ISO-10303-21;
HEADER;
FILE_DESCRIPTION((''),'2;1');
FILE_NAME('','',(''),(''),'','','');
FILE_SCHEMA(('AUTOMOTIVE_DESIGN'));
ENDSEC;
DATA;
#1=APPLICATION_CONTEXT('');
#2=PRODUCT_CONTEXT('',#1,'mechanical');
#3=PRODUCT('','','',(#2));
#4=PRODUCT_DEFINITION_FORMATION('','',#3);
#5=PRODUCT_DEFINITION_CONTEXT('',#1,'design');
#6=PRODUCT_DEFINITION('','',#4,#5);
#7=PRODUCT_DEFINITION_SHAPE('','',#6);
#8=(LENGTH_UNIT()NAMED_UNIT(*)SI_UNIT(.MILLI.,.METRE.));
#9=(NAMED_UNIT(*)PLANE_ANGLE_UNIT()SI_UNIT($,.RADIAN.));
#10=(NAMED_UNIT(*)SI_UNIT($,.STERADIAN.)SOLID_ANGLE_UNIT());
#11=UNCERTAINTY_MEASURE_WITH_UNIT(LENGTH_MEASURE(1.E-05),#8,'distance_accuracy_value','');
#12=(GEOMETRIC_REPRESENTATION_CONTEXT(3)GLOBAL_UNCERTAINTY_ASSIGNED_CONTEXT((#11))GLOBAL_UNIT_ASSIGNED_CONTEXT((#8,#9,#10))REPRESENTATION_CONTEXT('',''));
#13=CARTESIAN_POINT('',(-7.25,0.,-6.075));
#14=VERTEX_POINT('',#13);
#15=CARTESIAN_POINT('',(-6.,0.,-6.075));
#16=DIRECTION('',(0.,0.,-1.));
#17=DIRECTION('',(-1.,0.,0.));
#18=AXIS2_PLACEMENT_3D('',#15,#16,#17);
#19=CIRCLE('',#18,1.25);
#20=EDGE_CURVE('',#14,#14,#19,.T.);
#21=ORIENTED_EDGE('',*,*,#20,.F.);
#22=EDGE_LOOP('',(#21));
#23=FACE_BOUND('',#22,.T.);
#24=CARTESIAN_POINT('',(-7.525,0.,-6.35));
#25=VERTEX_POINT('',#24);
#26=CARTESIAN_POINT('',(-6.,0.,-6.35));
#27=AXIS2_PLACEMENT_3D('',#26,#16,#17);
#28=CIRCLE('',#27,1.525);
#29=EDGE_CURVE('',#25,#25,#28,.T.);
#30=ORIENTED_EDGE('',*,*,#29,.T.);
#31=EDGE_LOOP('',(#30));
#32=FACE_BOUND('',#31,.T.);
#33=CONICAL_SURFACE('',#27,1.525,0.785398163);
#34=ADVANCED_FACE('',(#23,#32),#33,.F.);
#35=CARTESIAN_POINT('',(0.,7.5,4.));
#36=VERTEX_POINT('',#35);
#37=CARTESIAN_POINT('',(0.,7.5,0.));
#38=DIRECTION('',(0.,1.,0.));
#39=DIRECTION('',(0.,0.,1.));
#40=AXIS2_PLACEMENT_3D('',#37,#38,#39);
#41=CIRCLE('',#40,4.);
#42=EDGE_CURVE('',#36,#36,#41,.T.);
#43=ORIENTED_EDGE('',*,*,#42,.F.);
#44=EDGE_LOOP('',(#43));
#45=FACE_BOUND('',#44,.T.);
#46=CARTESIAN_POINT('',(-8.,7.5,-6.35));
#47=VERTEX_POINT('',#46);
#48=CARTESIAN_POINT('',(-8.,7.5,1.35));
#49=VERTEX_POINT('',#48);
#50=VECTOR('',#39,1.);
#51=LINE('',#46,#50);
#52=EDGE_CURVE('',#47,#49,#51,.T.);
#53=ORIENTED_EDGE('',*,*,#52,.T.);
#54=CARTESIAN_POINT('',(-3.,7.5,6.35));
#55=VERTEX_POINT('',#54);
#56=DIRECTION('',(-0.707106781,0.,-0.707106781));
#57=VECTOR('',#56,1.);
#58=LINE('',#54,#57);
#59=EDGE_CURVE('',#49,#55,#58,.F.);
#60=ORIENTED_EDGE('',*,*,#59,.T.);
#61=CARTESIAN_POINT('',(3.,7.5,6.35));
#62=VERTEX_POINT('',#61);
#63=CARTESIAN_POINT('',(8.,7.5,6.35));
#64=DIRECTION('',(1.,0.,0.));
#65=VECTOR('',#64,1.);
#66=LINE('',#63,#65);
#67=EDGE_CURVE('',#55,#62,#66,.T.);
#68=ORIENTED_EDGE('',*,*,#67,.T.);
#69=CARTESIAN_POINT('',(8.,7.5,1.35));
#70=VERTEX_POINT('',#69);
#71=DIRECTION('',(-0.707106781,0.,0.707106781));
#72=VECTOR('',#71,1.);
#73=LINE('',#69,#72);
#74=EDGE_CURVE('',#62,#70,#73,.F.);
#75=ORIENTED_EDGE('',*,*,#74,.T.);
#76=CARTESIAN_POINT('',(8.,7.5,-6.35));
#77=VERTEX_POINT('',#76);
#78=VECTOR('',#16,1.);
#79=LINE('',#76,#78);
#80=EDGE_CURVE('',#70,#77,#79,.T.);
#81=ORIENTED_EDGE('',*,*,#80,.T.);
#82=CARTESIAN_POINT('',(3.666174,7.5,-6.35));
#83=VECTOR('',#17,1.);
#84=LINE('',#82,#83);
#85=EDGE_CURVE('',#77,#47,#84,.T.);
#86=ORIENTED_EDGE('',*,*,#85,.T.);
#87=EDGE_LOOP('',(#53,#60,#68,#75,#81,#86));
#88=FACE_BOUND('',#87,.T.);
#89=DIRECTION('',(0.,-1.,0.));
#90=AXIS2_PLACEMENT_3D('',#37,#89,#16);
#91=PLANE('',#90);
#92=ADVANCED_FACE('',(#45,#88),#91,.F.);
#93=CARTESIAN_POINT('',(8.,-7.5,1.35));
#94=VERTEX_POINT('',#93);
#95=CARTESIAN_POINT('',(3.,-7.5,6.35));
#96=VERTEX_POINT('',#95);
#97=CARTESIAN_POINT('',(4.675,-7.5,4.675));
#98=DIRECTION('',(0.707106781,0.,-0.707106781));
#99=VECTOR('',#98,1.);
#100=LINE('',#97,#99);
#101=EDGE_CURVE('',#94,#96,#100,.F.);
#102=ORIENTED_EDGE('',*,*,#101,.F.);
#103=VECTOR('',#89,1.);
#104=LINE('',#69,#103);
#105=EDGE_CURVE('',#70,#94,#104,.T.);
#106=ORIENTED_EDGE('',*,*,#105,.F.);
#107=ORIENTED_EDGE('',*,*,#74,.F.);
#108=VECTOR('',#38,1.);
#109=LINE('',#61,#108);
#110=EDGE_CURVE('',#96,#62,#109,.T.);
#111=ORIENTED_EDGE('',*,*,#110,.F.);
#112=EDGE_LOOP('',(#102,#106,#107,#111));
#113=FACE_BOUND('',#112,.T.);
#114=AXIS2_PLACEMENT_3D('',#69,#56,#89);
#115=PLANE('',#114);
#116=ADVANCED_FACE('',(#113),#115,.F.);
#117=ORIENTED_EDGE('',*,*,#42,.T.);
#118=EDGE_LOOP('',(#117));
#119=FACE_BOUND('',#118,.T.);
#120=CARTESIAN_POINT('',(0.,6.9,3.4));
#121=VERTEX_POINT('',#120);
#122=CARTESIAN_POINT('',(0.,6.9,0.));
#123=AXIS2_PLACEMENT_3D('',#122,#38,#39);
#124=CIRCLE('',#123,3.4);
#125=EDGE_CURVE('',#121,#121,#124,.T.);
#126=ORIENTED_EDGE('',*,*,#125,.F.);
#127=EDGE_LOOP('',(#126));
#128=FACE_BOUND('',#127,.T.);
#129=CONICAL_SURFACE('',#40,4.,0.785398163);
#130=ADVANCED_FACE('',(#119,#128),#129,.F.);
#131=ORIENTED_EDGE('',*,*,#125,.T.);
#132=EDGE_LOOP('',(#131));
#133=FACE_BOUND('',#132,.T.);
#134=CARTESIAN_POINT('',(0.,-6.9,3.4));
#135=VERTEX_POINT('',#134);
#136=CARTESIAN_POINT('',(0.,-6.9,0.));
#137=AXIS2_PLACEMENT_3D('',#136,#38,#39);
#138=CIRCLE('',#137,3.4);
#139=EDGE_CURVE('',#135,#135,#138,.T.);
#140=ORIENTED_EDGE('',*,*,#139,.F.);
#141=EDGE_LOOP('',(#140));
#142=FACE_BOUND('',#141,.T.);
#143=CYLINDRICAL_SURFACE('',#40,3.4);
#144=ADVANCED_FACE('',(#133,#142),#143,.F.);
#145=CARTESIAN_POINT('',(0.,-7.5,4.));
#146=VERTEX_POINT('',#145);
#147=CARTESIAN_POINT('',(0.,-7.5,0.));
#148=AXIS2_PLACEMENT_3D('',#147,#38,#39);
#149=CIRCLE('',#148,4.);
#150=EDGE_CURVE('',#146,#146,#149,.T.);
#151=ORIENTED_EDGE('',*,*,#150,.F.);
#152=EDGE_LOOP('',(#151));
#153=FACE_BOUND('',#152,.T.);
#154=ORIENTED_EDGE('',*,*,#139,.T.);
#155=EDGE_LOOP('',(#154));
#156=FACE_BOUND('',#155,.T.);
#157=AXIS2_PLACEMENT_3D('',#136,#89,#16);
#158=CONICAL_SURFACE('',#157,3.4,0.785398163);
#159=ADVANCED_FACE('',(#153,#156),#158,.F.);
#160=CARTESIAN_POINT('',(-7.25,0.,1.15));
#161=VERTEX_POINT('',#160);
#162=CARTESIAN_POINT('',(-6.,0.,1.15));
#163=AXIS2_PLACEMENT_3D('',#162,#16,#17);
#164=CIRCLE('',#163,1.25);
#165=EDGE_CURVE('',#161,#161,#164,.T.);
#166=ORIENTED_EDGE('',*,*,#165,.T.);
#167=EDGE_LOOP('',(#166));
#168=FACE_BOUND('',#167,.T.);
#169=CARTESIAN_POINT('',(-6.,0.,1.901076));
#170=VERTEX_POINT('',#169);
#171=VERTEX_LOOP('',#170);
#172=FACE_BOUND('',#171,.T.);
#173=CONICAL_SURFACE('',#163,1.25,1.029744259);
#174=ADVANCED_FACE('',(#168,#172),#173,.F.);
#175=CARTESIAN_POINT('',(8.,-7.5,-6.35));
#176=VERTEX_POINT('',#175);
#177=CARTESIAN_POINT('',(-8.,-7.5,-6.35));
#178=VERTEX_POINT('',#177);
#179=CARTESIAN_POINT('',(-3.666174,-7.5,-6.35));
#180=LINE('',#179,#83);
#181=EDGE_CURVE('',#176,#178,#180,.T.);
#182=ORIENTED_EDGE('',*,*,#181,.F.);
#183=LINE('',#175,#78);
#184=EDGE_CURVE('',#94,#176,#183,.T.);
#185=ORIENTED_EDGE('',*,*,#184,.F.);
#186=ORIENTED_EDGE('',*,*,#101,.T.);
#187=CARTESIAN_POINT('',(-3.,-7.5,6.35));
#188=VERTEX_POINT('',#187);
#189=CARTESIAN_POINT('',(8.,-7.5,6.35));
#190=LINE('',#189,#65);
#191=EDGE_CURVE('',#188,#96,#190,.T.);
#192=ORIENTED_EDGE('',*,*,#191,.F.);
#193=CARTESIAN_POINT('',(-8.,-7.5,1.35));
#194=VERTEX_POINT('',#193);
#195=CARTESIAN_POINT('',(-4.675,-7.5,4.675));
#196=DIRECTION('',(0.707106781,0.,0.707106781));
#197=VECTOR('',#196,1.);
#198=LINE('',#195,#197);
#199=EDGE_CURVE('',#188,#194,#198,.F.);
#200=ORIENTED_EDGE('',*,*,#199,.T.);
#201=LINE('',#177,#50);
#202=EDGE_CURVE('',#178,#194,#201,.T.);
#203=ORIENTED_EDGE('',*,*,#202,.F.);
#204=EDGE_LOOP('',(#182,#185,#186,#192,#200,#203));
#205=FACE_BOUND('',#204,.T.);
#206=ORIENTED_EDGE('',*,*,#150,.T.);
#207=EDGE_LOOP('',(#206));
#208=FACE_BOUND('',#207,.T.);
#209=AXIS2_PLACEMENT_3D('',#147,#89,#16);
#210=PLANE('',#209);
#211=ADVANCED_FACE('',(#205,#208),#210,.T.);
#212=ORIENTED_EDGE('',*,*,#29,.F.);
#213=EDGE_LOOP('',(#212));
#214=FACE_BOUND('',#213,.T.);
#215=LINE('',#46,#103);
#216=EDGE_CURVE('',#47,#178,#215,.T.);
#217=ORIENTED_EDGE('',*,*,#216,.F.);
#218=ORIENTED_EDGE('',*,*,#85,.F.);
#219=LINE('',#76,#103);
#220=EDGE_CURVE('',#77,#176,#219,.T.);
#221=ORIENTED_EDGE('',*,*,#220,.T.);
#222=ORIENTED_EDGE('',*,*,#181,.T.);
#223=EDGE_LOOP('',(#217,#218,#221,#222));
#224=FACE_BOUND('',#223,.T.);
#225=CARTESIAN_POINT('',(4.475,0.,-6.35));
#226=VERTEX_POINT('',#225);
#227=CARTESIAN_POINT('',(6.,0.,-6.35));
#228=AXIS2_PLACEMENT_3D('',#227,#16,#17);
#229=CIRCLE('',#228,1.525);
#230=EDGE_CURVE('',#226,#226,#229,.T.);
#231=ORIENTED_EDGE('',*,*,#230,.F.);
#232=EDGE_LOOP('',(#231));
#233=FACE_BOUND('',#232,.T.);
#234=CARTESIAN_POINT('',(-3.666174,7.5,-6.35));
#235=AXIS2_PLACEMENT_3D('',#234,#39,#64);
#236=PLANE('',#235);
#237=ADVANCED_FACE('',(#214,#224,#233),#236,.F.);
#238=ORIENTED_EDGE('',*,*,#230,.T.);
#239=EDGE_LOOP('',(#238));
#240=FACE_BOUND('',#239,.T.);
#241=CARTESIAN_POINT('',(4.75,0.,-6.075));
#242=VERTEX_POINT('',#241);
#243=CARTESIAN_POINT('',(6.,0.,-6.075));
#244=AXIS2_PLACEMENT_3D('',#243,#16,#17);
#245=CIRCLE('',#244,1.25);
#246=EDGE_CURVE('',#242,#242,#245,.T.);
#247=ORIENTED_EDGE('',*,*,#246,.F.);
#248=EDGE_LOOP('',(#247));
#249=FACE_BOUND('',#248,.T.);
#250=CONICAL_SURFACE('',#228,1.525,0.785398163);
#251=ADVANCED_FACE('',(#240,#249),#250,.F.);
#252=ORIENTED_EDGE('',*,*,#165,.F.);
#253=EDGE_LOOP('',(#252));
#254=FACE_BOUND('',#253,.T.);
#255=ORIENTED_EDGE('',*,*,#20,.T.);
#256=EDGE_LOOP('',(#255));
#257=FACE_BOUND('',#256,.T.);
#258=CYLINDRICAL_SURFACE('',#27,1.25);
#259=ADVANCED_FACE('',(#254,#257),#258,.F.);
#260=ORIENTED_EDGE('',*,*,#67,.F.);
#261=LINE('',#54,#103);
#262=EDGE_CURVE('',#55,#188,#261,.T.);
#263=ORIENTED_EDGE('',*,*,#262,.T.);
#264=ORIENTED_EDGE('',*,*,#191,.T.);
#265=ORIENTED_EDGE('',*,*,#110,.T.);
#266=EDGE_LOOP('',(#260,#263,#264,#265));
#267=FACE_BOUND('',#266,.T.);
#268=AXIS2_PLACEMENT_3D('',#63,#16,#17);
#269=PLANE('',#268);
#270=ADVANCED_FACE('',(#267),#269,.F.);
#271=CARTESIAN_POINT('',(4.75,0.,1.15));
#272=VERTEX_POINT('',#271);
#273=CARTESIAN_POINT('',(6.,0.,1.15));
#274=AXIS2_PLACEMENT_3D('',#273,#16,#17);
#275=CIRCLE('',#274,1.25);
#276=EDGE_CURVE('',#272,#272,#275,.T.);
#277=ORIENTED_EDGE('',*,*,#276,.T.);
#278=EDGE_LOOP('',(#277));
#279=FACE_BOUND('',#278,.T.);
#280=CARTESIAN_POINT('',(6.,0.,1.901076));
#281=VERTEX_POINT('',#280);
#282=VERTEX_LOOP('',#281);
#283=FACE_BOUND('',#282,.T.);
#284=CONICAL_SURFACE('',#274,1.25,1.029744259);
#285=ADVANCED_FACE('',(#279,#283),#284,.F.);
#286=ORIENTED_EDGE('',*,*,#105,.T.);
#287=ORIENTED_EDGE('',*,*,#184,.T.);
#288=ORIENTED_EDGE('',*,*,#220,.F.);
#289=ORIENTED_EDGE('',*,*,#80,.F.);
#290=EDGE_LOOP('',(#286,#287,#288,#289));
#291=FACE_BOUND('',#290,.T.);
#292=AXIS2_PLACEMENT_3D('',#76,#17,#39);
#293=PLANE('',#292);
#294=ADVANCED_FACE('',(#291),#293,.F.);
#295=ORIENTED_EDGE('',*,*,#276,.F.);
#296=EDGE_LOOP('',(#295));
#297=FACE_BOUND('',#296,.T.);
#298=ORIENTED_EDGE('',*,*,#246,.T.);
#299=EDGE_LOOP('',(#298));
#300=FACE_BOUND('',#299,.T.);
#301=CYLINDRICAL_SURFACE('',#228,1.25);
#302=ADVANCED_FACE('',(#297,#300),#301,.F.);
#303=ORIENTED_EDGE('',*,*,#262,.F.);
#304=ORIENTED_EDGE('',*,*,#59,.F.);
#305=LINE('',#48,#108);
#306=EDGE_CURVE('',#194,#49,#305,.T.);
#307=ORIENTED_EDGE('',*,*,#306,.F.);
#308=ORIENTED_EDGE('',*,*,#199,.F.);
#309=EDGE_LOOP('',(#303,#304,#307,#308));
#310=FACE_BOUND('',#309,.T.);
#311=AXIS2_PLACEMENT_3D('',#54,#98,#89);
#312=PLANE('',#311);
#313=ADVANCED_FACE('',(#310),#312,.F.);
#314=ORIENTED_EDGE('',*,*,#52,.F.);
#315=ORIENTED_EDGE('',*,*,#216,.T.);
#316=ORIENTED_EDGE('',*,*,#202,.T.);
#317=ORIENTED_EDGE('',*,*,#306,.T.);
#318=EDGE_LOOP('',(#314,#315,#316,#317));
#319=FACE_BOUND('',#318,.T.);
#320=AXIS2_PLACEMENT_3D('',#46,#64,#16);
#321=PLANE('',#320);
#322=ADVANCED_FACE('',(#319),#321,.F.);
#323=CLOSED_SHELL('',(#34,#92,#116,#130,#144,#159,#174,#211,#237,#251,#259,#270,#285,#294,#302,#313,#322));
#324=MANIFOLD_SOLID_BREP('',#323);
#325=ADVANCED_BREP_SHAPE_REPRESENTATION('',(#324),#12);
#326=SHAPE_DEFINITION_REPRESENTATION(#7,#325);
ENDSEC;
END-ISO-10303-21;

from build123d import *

# Parameters (mm, degrees)
RESSALTO_EXTRUS_O1_DEPTH        = 7.5
FURO_ROSCADO_DE_M31_D           = 2.5
FURO_ROSCADO_DE_M31_DEPTH       = 7.5
FURO_ROSCADO_DE_M31_CSINK_D     = 3.05
FURO_ROSCADO_DE_M31_CSINK_ANGLE = 90
FURO_ROSCADO_DE_M31_TIP         = 0.751075774
CHANFRO1_SIZE                   = 5


with BuildPart() as part:
    # Esboço1 → Ressalto-extrusão1 (new, symmetric)
    with BuildSketch(Plane(origin=(0, 0, 0), x_dir=(1, 0, 0), z_dir=(0, 1, 0))):
        Polygon((3.666174209, 6.35), (-3.666174209, 6.35), (-8, 6.35), (-8, -6.35), (8, -6.35), (8, 6.35), align=None)
    extrude(amount=RESSALTO_EXTRUS_O1_DEPTH, both=True)

    # Esboço5 → Furo roscado de M81 (revolve, cut)
    with BuildSketch(Plane(origin=(0, 7.5, 0), x_dir=(0, 0, 1), z_dir=(1, 0, 0))):
        Polygon((0, 0), (0, 15), (4, 15), (3.4, 14.4), (3.4, 0.6), (4, 0), align=None)
    revolve(axis=Axis((0, 13.85, 0), (0, -1, 0)), mode=Mode.SUBTRACT)

    # Furo roscado de M31
    with Locations(Plane(origin=(0, 0, -6.35), x_dir=(-1, 0, 0), z_dir=(0, 0, -1))):
        with Locations((-6, 0), (6, 0)):
            CounterSinkHole(FURO_ROSCADO_DE_M31_D / 2, FURO_ROSCADO_DE_M31_CSINK_D / 2, depth=FURO_ROSCADO_DE_M31_DEPTH, counter_sink_angle=FURO_ROSCADO_DE_M31_CSINK_ANGLE)
            with Locations((0, 0, -(FURO_ROSCADO_DE_M31_DEPTH + FURO_ROSCADO_DE_M31_TIP / 2))):  # 118° drill point
                Cone(0, FURO_ROSCADO_DE_M31_D / 2, FURO_ROSCADO_DE_M31_TIP, mode=Mode.SUBTRACT)

    # Chanfro1
    chanfro1_edges = [part.edges().sort_by_distance(p)[0] for p in [
        (8, 0, 6.35),
        (-8, 0, 6.35),
    ]]
    chamfer(chanfro1_edges, length=CHANFRO1_SIZE)


solid = part.part
